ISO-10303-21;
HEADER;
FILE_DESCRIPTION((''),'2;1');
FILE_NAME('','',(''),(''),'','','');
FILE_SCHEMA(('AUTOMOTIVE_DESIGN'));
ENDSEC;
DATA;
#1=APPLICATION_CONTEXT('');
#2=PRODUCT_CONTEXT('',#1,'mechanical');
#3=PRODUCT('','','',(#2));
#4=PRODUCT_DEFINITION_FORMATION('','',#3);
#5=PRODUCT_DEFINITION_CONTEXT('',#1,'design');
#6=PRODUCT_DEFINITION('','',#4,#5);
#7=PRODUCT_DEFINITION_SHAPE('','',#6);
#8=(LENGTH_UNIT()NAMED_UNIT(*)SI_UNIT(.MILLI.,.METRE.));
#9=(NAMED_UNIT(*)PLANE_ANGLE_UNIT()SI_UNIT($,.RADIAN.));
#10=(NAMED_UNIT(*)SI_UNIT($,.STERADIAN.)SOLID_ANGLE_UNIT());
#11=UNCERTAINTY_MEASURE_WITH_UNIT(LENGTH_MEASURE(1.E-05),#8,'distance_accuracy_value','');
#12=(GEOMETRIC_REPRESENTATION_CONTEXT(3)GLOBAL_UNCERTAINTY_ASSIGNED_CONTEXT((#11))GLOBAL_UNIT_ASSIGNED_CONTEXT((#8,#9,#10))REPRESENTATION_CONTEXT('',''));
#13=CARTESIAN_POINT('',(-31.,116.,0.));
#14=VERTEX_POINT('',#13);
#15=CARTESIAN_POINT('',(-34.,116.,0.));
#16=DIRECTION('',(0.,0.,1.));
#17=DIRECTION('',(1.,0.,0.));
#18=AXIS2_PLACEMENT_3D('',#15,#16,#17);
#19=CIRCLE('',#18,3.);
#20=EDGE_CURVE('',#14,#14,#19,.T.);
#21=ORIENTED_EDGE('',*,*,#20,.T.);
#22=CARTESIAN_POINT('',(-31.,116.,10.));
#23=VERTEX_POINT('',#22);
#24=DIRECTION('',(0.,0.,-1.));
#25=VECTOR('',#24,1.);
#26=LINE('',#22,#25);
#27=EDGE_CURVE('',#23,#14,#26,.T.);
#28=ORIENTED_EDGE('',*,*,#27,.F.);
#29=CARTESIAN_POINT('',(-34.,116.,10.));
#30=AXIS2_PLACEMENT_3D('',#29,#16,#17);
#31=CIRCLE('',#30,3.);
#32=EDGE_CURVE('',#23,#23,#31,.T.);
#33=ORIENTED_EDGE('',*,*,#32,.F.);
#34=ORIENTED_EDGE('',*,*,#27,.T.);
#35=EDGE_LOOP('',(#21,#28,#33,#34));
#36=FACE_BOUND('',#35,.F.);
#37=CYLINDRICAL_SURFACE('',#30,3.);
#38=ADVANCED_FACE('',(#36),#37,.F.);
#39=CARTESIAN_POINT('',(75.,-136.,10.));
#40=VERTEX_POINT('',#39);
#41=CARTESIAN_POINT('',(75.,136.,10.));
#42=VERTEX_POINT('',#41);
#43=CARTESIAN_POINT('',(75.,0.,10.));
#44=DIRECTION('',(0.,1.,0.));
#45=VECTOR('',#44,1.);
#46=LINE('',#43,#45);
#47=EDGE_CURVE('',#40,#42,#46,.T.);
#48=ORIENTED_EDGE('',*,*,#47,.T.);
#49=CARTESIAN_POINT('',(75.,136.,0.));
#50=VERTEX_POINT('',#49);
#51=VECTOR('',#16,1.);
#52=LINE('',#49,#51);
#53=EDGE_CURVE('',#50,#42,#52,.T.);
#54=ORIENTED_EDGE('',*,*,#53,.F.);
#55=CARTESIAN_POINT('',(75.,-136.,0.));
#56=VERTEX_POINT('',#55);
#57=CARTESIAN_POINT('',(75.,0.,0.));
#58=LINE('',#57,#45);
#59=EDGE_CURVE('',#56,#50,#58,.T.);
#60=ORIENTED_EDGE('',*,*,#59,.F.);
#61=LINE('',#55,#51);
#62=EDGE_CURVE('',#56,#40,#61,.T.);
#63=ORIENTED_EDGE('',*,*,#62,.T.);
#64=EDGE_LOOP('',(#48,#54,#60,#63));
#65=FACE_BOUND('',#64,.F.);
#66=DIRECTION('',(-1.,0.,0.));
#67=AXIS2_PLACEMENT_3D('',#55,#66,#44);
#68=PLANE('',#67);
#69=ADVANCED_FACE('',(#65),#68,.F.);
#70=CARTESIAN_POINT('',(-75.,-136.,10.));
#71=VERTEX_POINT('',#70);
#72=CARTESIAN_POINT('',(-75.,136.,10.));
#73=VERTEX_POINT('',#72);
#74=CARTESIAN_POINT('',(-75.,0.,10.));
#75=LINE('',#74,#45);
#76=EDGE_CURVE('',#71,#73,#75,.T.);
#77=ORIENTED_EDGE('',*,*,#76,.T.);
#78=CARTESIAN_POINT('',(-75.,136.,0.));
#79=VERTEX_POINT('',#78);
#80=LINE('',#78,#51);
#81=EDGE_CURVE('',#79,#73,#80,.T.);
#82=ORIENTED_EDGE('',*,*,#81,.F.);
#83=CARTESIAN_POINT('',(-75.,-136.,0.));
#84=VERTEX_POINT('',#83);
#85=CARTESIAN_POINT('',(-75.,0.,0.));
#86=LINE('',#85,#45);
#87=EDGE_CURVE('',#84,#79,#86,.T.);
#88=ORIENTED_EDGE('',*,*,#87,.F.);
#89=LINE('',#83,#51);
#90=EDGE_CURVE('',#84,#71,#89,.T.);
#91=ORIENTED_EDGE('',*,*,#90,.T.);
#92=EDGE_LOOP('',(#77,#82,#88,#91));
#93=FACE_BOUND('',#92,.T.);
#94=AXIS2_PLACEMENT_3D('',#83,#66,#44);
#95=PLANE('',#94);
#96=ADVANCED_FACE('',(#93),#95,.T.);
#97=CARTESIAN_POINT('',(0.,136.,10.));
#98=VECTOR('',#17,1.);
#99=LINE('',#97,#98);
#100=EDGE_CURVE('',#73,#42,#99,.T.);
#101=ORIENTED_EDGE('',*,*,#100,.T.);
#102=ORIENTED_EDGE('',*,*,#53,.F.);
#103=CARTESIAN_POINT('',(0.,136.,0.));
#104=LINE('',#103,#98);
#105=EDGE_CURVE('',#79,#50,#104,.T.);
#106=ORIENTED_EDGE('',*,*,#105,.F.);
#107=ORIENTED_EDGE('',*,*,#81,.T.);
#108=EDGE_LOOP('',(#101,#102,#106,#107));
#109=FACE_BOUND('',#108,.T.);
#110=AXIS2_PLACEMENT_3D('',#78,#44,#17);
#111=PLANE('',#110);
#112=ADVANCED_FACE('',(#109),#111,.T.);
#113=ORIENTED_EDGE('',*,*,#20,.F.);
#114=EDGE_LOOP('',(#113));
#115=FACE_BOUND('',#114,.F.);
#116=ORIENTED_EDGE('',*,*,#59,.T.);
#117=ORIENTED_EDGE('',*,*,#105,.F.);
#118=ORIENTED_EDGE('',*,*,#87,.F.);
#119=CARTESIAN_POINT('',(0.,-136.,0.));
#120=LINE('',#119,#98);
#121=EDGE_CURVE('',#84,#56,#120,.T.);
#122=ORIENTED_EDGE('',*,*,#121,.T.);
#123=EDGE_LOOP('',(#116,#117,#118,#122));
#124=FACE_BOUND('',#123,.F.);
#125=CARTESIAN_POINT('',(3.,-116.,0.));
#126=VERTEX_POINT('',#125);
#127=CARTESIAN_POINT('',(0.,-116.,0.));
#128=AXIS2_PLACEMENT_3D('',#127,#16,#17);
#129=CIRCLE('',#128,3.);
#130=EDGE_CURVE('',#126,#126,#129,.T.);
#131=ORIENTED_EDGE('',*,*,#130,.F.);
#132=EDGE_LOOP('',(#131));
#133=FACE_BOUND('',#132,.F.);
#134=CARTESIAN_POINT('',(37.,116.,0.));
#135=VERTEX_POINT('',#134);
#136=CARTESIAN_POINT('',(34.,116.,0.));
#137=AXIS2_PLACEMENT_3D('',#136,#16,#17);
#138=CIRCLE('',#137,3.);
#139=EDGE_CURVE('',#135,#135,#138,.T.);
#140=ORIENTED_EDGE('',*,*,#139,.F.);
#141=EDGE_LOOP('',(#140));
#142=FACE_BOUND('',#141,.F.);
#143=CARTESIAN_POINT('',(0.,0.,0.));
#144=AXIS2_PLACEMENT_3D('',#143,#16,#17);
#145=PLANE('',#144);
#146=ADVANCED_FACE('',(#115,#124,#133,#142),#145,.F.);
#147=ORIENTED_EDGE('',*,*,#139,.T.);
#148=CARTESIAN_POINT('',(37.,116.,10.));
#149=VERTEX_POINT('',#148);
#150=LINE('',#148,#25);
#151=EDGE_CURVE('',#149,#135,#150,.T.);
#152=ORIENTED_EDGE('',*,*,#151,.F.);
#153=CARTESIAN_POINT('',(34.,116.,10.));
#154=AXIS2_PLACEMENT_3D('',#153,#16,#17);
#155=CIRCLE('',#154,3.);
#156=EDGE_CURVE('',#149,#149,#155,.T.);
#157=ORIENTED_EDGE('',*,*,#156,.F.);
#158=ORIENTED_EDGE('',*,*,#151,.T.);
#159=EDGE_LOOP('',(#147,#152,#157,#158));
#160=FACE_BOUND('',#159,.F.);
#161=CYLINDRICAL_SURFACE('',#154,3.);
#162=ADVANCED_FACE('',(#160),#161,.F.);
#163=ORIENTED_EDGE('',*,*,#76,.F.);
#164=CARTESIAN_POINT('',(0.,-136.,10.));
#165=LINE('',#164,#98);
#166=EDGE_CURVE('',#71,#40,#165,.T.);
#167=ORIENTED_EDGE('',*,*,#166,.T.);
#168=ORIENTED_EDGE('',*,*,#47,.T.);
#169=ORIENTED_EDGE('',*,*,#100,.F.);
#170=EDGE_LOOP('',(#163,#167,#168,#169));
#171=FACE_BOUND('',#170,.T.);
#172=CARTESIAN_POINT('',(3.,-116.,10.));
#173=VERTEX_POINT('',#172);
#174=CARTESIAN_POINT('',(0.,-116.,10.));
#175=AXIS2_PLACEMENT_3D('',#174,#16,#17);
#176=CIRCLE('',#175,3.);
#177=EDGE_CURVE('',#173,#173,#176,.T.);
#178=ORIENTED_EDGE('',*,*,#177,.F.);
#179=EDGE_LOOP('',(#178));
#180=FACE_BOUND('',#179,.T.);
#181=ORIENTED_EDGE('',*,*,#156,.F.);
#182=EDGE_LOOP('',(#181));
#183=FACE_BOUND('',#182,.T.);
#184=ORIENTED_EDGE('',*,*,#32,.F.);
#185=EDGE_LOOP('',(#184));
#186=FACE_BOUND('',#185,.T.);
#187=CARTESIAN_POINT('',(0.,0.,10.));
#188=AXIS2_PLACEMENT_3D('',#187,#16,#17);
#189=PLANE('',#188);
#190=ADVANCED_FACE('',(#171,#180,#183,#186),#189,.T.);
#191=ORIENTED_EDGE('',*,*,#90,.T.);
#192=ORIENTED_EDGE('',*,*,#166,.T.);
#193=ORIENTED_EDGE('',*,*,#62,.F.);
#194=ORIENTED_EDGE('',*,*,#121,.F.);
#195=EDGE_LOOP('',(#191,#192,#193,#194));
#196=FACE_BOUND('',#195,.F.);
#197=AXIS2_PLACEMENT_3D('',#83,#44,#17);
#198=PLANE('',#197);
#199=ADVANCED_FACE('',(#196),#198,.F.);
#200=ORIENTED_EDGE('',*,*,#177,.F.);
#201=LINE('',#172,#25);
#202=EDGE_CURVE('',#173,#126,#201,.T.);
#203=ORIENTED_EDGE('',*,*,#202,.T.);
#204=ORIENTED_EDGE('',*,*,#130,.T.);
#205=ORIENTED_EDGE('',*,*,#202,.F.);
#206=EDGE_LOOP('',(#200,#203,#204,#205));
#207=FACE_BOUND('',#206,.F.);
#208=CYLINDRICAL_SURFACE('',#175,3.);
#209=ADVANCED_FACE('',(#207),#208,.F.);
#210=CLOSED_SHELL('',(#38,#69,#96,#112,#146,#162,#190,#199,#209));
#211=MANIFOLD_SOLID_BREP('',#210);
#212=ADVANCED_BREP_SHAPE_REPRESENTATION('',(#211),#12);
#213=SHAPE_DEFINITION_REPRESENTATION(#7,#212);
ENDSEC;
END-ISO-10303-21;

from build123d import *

# Parameters (mm, degrees)
SKETCH_W    = 150
SKETCH_H    = 272
PAD_DEPTH   = 10
SKETCH001_R = 3
HOLE_DEPTH  = 25


with BuildPart() as part:
    # Sketch → Pad (new body)
    with BuildSketch(Plane.XY):
        Rectangle(SKETCH_W, SKETCH_H)
    extrude(amount=PAD_DEPTH)

    # Sketch001 (on Face6 of Pad) → Hole (cut)
    with BuildSketch(Plane.XY.offset(10)):
        with Locations((0, -116)):
            Circle(SKETCH001_R)
        with Locations((-34, 116)):
            Circle(SKETCH001_R)
        with Locations((34, 116)):
            Circle(SKETCH001_R)
    extrude(amount=-HOLE_DEPTH, mode=Mode.SUBTRACT)


solid = part.part
